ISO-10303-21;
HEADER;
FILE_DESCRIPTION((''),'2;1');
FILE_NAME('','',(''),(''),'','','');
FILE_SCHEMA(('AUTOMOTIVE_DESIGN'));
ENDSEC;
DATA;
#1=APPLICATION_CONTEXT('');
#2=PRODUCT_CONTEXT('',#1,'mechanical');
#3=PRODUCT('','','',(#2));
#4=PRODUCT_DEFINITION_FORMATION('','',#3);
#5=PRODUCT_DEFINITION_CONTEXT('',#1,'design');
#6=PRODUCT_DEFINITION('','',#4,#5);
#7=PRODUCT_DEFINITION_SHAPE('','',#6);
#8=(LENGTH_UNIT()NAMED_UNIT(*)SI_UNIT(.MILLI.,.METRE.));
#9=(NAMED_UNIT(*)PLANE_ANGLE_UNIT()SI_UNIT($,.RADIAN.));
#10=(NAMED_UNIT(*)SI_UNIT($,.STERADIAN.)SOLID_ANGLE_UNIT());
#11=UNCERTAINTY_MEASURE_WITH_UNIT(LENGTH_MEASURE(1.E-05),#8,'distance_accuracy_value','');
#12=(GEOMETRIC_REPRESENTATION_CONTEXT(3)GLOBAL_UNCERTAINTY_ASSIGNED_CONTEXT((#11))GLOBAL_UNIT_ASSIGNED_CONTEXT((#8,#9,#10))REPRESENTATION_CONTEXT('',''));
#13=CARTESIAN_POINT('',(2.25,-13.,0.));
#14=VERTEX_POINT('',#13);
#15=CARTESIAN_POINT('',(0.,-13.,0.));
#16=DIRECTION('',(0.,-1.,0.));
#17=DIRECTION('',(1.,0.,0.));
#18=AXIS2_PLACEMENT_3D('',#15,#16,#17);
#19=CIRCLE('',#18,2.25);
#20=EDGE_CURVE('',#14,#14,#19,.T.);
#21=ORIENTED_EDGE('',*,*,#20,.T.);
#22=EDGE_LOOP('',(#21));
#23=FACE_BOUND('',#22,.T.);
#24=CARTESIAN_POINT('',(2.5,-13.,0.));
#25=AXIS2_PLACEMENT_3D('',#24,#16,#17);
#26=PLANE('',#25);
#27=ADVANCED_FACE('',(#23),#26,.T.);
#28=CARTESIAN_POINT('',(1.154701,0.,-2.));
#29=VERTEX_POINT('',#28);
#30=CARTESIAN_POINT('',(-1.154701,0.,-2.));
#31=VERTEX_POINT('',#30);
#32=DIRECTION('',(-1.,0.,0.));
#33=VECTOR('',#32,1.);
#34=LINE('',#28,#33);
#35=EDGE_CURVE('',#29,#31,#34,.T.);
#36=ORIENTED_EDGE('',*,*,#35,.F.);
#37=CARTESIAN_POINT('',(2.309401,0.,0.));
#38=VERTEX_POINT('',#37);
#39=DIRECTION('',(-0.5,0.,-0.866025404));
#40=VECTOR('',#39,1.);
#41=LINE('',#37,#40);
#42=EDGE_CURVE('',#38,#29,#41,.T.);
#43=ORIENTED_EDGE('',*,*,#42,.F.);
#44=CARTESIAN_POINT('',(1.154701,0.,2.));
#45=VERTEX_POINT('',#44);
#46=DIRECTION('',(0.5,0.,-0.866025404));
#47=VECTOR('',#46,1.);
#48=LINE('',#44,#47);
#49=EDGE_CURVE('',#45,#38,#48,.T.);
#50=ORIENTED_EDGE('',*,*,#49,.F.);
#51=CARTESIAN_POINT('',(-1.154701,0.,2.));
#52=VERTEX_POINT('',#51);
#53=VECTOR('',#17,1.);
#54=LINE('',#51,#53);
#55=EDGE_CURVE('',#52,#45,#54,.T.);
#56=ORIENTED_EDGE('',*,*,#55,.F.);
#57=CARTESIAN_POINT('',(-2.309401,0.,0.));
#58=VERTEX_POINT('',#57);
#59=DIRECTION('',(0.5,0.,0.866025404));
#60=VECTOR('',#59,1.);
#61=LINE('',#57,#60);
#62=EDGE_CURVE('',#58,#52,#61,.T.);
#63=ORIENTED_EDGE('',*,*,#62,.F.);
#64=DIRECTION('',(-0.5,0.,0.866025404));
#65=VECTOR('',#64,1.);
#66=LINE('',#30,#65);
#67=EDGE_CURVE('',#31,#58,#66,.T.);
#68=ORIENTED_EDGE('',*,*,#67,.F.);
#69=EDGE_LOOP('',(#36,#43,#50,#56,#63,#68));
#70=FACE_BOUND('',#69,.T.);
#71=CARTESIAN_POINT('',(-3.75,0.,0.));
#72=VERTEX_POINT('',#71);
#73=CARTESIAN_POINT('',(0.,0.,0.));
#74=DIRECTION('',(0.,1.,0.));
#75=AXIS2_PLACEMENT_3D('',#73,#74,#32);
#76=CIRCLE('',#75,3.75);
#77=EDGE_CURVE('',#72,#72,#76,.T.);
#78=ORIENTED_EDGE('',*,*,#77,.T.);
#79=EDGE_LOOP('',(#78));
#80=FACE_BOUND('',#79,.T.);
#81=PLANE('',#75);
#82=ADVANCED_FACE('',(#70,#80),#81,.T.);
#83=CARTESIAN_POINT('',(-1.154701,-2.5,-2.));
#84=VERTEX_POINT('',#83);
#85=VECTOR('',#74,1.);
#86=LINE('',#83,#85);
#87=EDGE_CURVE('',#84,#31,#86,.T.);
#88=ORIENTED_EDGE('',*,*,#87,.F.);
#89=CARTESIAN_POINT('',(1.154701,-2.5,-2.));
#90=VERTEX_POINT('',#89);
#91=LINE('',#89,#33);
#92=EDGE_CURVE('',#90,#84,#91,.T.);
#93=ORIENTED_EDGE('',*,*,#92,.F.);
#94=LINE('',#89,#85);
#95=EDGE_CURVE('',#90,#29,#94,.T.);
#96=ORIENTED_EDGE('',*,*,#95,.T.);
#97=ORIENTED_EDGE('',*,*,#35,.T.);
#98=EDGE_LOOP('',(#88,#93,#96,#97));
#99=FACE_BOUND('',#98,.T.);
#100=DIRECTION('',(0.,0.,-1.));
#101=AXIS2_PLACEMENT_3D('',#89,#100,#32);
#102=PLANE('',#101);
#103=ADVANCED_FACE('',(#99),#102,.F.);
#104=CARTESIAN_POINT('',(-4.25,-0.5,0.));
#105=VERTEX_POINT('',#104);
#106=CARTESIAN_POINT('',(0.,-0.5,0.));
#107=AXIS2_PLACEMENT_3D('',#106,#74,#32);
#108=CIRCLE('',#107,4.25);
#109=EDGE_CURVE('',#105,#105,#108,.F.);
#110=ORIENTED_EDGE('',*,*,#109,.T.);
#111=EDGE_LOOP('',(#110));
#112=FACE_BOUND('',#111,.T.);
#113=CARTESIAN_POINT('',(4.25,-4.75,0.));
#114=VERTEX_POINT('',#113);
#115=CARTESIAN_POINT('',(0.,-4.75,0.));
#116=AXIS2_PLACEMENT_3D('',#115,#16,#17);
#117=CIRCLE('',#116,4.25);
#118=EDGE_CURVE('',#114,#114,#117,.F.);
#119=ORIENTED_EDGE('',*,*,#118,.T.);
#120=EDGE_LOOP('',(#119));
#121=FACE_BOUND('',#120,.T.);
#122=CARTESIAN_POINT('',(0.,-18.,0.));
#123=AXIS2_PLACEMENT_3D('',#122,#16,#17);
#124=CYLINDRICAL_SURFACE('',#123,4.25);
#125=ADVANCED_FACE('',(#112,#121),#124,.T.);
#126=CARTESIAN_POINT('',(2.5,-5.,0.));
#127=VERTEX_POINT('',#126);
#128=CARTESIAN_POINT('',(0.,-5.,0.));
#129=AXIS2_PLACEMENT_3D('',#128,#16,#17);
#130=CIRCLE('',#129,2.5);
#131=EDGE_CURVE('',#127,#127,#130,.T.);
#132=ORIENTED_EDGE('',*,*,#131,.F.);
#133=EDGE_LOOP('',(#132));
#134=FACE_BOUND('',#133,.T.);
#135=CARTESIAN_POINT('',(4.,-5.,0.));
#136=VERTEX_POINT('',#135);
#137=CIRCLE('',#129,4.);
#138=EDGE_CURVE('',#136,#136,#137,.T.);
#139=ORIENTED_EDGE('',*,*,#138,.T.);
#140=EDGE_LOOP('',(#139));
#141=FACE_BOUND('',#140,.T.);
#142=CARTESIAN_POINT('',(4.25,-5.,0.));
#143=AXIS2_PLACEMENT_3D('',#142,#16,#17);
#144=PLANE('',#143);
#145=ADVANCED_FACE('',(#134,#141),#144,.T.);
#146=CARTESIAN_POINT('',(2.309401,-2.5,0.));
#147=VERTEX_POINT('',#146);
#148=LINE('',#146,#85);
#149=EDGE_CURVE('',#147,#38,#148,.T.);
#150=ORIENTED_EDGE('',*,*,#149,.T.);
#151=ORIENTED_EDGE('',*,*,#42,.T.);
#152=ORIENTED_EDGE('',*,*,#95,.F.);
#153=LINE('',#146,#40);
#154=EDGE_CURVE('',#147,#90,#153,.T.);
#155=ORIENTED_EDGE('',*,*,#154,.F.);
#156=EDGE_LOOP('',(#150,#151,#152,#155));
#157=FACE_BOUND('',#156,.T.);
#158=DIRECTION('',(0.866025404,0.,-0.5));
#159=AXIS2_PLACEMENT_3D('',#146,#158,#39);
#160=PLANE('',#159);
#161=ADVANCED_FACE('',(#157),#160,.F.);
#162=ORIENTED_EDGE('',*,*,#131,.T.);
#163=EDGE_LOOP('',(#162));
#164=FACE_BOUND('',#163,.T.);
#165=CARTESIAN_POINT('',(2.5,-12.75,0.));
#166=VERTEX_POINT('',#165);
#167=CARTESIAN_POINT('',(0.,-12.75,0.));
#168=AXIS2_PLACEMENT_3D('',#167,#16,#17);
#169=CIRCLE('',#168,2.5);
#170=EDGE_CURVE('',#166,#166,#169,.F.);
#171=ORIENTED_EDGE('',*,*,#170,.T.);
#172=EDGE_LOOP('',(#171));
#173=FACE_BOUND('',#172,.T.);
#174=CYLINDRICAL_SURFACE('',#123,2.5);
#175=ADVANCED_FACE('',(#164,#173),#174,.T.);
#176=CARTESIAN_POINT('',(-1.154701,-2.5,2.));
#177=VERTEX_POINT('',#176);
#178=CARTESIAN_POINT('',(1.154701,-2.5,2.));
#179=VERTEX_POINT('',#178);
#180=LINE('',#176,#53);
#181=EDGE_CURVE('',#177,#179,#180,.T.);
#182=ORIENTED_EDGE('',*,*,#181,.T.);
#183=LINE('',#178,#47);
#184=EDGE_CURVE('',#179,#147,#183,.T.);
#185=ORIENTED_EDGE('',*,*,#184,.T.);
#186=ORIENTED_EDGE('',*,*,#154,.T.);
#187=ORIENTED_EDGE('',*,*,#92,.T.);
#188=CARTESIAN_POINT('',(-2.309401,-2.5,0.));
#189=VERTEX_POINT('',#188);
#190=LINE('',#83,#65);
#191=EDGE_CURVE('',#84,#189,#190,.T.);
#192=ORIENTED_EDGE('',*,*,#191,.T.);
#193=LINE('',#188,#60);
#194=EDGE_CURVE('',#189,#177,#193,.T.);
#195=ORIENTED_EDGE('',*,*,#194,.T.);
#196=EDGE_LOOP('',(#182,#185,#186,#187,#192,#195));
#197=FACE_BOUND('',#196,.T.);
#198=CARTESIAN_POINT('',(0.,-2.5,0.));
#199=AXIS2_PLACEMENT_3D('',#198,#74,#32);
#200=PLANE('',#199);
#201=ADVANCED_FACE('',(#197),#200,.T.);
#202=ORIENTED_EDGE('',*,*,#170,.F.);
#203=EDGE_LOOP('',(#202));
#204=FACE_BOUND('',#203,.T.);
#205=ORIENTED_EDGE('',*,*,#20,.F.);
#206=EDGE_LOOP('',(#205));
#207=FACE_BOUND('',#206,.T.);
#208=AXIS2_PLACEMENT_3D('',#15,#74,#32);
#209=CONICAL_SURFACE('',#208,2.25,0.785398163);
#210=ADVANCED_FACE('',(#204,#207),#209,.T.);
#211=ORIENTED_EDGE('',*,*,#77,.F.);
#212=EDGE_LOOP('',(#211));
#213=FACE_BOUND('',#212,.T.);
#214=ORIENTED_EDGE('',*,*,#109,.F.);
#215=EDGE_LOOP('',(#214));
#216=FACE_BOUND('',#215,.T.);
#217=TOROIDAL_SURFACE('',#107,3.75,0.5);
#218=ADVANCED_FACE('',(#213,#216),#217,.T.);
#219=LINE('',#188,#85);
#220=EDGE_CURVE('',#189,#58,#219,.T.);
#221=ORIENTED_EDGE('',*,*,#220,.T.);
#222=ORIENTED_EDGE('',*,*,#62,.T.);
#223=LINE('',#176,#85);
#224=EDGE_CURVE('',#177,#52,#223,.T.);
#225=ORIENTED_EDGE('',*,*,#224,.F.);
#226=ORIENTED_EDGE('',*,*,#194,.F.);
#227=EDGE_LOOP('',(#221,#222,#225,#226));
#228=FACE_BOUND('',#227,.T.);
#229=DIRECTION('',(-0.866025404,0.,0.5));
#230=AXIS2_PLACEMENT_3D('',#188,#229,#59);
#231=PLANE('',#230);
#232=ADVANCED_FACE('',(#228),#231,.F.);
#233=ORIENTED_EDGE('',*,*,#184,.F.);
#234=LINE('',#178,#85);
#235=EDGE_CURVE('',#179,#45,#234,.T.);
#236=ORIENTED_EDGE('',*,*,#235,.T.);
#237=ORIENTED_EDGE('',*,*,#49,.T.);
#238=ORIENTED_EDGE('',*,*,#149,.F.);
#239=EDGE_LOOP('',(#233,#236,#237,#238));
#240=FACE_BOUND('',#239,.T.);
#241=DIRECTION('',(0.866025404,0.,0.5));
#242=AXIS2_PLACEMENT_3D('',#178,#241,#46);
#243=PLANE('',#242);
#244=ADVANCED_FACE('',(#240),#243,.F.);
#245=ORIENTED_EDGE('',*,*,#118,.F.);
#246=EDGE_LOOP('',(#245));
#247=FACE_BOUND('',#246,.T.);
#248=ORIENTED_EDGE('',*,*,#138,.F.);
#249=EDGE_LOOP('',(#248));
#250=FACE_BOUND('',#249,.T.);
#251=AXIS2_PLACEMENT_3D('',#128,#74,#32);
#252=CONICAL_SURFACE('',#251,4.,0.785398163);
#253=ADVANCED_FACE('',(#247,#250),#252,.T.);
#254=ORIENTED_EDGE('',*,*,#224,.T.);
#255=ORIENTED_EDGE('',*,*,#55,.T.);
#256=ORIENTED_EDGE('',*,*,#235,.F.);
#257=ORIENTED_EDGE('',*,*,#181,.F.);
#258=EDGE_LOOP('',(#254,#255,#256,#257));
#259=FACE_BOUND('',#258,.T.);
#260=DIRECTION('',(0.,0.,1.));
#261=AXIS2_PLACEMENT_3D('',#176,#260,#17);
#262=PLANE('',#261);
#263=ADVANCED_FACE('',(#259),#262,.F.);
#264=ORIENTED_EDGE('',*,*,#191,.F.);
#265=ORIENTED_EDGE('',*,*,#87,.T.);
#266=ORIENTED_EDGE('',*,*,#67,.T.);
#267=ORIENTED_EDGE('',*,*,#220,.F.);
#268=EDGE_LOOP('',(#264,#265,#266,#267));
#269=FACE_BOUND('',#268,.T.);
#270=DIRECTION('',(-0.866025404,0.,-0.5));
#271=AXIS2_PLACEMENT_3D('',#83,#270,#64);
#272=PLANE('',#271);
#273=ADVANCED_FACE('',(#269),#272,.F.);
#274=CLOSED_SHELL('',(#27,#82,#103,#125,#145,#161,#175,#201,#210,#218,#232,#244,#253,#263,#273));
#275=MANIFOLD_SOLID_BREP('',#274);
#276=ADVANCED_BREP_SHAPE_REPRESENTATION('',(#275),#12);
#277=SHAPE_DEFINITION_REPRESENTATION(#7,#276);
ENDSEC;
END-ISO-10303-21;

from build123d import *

# Parameters (mm, degrees)
CUT_EXTRUDE1_DEPTH = 2.5
FILLET1_R          = 0.5
CHAMFER1_SIZE      = 0.25
CHAMFER2_SIZE      = 0.25


with BuildPart() as part:
    # Sketch1 → Revolve1 (revolve)
    with BuildSketch(Plane.XY):
        Polygon((0, 0), (4.25, 0), (4.25, -5), (2.5, -5), (2.5, -13), (0, -13), align=None)
    revolve(axis=Axis((0, -18, 0), (0, 1, 0)))

    # Sketch2 → Cut-Extrude1 (cut)
    with BuildSketch(Plane(origin=(0, 0, 0), x_dir=(1, 0, 0), z_dir=(0, 1, 0))):
        Polygon((2.309401077, 0), (1.154700538, 2), (-1.154700538, 2), (-2.309401077, 0), (-1.154700538, -2), (1.154700538, -2), align=None)
    extrude(amount=-CUT_EXTRUDE1_DEPTH, mode=Mode.SUBTRACT)

    # Fillet1
    fillet1_edges = [part.edges().sort_by_distance(p)[0] for p in [
        (-4.25, 0, 0),
    ]]
    fillet(fillet1_edges, radius=FILLET1_R)

    # Chamfer1
    chamfer1_edges = [part.edges().sort_by_distance(p)[0] for p in [
        (-4.25, -5, 0),
    ]]
    chamfer(chamfer1_edges, length=CHAMFER1_SIZE)

    # Chamfer2
    chamfer2_edges = [part.edges().sort_by_distance(p)[0] for p in [
        (-2.5, -13, 0),
    ]]
    chamfer(chamfer2_edges, length=CHAMFER2_SIZE)


solid = part.part
